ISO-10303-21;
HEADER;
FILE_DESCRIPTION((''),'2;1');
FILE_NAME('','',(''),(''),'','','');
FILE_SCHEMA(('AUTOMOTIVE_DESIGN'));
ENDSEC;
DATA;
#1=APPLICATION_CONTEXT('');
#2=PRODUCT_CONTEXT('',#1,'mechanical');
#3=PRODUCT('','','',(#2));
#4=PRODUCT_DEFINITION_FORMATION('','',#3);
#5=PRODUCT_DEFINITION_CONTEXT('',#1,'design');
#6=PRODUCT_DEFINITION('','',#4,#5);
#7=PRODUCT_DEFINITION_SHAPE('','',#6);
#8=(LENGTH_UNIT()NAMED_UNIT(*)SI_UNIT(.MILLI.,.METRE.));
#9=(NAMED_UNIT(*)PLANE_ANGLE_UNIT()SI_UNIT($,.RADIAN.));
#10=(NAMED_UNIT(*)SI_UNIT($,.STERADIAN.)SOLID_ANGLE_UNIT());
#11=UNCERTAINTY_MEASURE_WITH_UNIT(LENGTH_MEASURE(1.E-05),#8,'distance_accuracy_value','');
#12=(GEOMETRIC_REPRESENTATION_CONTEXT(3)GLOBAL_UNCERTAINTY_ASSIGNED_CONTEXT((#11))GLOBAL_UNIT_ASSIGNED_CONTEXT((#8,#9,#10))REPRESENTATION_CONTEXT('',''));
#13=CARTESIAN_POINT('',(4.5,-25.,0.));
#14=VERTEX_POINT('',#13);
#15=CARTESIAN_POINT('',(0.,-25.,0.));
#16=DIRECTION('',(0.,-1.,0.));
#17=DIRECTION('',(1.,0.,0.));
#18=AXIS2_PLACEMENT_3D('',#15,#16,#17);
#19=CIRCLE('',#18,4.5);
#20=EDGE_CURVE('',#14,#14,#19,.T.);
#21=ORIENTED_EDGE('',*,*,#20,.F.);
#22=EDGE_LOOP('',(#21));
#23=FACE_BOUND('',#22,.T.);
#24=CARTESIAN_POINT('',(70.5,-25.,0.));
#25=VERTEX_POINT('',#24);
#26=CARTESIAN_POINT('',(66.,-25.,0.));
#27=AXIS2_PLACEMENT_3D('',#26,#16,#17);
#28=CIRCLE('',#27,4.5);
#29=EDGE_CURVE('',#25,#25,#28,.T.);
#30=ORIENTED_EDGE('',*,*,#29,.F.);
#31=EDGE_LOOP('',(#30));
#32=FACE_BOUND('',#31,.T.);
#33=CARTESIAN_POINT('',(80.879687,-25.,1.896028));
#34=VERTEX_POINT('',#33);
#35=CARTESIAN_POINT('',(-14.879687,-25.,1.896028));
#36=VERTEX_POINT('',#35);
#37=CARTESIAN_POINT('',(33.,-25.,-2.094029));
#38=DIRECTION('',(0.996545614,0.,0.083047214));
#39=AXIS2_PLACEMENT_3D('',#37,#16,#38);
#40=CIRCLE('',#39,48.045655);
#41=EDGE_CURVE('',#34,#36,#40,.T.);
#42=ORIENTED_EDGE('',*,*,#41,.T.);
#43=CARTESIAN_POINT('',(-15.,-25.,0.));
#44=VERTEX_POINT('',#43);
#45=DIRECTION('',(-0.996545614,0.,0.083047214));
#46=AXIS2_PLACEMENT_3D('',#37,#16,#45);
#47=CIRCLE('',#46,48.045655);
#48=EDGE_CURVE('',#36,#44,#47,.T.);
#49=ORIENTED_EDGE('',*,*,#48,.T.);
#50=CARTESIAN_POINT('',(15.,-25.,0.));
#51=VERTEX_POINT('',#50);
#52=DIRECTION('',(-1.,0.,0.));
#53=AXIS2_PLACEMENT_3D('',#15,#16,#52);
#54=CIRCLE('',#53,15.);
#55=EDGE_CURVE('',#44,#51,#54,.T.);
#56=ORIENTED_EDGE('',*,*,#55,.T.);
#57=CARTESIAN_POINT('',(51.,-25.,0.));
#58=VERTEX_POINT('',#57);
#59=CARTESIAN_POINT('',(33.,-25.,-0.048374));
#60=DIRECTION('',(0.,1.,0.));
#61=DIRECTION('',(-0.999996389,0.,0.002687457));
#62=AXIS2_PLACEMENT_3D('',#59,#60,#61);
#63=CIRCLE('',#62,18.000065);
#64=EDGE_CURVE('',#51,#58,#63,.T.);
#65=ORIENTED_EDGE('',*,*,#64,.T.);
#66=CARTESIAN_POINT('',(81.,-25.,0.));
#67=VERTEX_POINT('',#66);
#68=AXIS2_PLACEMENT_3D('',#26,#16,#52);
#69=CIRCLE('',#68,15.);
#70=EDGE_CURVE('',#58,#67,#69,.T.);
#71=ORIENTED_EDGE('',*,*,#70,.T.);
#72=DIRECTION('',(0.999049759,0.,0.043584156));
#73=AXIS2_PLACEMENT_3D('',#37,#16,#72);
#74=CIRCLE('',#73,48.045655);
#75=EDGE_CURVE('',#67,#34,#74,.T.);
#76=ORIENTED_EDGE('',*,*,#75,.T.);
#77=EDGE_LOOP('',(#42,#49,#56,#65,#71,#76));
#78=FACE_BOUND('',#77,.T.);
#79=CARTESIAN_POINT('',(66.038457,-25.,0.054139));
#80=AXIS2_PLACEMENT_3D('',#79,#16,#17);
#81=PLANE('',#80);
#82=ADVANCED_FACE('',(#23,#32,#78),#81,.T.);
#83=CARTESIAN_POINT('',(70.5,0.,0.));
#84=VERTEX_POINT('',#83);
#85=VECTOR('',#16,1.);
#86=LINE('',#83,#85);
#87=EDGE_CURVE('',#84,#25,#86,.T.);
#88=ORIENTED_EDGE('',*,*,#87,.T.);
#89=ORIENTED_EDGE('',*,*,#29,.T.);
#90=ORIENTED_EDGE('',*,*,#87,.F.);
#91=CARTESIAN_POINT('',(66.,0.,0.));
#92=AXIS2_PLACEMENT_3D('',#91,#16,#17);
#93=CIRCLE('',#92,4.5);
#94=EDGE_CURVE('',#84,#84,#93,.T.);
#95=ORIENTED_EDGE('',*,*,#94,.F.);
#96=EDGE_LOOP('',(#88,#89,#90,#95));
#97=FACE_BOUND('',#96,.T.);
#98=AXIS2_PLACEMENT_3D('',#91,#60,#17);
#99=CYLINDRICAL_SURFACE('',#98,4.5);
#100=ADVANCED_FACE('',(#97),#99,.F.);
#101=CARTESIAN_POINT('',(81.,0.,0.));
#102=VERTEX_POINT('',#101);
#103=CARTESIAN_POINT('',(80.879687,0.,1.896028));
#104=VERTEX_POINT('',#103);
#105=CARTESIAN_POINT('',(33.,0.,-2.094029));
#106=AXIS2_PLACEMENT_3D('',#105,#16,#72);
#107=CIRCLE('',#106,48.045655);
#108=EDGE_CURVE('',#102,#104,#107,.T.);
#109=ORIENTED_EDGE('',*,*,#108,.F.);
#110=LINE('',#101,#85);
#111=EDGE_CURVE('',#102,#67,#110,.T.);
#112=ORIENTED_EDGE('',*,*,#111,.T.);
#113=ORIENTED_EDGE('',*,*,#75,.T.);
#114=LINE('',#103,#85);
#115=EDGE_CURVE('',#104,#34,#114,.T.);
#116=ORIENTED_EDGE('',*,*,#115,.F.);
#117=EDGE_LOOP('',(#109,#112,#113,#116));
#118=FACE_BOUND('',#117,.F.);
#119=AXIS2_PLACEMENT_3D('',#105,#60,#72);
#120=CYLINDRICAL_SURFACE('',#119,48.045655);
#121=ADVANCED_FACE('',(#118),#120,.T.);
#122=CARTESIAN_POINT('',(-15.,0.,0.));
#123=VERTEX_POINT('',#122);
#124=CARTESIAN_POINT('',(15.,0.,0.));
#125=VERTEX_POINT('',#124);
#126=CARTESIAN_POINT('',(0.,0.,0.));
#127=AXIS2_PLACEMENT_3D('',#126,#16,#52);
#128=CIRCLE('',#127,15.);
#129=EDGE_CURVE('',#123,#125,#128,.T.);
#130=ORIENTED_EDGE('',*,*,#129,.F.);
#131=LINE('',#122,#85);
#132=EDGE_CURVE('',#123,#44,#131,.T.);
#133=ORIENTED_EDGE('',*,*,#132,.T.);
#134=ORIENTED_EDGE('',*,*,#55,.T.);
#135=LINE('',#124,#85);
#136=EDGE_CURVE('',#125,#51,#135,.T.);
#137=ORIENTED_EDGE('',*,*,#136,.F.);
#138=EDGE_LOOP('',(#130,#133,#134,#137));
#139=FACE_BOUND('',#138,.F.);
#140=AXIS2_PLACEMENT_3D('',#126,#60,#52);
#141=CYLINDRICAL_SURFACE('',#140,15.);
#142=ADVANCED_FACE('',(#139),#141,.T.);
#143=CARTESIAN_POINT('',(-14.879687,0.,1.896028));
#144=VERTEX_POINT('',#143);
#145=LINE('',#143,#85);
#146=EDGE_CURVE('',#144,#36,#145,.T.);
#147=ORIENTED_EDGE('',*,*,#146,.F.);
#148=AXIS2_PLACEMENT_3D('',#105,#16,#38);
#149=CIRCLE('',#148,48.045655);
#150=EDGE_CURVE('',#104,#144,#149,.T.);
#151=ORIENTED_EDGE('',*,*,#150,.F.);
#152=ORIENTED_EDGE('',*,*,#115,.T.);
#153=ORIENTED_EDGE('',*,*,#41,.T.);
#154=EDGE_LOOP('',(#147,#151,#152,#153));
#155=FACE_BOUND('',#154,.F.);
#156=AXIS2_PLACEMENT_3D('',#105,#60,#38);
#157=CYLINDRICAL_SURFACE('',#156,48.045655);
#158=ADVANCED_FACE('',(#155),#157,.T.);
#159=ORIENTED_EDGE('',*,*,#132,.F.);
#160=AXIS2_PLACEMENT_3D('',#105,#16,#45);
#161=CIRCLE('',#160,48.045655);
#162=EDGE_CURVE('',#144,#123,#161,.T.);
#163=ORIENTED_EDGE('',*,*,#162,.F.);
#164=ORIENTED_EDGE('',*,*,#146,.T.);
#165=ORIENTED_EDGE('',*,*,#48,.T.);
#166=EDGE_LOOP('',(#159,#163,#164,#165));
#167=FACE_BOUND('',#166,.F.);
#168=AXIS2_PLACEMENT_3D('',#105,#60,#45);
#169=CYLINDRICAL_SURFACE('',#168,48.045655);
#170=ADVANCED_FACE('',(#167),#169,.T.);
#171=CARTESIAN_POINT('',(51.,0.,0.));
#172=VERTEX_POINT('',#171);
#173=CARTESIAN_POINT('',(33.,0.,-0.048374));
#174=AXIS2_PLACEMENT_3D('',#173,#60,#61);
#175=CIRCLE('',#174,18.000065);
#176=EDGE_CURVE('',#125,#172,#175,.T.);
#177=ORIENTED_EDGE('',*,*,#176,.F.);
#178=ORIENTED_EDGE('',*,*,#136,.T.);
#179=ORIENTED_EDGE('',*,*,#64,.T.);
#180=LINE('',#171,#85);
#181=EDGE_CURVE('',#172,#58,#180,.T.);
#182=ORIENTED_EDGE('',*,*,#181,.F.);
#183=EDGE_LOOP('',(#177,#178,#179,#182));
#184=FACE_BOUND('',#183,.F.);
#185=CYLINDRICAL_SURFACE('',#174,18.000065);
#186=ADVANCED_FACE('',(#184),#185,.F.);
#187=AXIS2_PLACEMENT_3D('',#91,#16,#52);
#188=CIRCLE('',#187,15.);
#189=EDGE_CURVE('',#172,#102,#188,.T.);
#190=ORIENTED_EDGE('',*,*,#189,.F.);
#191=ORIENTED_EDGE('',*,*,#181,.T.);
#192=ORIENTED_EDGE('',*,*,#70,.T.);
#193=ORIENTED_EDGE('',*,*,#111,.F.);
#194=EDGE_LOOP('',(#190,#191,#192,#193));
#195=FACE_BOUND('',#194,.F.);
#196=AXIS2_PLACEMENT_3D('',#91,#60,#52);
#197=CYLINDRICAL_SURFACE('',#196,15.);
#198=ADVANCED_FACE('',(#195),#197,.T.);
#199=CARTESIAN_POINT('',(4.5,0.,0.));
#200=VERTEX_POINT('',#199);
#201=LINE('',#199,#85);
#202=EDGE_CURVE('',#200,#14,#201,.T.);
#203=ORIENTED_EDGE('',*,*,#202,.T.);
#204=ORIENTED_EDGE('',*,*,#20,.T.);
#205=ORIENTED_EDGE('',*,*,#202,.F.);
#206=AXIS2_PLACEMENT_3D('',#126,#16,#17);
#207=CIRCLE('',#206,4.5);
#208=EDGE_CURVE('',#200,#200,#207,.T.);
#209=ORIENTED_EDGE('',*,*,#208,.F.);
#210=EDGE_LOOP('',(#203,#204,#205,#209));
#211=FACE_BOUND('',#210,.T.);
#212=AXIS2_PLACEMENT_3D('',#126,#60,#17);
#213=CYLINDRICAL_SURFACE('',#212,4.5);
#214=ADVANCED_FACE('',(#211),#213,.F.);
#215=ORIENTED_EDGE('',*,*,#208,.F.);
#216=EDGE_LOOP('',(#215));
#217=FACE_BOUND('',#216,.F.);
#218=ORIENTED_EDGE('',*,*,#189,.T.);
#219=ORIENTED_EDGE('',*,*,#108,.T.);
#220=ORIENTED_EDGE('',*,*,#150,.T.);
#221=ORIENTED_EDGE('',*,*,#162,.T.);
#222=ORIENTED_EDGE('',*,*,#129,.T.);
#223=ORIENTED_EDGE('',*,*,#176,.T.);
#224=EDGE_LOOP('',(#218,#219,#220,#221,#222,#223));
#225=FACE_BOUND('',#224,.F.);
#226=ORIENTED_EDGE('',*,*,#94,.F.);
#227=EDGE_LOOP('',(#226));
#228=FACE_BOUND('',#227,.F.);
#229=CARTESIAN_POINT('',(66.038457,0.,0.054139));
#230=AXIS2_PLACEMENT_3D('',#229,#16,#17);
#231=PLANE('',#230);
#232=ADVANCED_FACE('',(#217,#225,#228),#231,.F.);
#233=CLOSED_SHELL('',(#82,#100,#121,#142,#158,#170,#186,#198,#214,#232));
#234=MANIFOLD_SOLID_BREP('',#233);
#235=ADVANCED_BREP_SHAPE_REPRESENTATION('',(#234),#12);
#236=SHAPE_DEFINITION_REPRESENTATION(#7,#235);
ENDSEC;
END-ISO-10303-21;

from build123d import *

# Parameters (mm, degrees)
F0_R     = 4.5
F1_DEPTH = 25


with BuildPart() as f1:
    # F0 (on Front) → F1 (new body)
    with BuildSketch(Plane.XZ):
        with BuildLine():
            ThreePointArc((80.8796866912, 1.8960284735), (65.0500790474, 14.9698914553), (51, 0))
            ThreePointArc((51, 0), (66, -15), (81, 0))
            ThreePointArc((81.0000000009, 0), (80.9492159585, 0.9486089799), (80.8796866912, 1.8960284735))
        make_face()
        with Locations((66, 0)):
            Circle(F0_R, mode=Mode.SUBTRACT)
        with BuildLine():
            ThreePointArc((-14.8796866912, 1.8960284735), (0.9499209526, 14.9698914553), (15, 0))
            ThreePointArc((15, 0), (33, 17.9516905927), (51, 0))
            ThreePointArc((51, 0), (65.0500790474, 14.9698914553), (80.8796866912, 1.8960284735))
            ThreePointArc((80.8796866912, 1.8960284735), (33, 45.9516256124), (-14.8796866912, 1.8960284735))
        make_face()
        with BuildLine():
            ThreePointArc((-14.8796866912, 1.8960284735), (-14.9492159585, 0.9486089799), (-15.0000000009, 0))
            ThreePointArc((-15, 0), (0, -15), (15, 0))
            ThreePointArc((15, 0), (0.9499209526, 14.9698914553), (-14.8796866912, 1.8960284735))
        make_face()
        Circle(F0_R, mode=Mode.SUBTRACT)
    extrude(amount=F1_DEPTH)


solid = f1.part
